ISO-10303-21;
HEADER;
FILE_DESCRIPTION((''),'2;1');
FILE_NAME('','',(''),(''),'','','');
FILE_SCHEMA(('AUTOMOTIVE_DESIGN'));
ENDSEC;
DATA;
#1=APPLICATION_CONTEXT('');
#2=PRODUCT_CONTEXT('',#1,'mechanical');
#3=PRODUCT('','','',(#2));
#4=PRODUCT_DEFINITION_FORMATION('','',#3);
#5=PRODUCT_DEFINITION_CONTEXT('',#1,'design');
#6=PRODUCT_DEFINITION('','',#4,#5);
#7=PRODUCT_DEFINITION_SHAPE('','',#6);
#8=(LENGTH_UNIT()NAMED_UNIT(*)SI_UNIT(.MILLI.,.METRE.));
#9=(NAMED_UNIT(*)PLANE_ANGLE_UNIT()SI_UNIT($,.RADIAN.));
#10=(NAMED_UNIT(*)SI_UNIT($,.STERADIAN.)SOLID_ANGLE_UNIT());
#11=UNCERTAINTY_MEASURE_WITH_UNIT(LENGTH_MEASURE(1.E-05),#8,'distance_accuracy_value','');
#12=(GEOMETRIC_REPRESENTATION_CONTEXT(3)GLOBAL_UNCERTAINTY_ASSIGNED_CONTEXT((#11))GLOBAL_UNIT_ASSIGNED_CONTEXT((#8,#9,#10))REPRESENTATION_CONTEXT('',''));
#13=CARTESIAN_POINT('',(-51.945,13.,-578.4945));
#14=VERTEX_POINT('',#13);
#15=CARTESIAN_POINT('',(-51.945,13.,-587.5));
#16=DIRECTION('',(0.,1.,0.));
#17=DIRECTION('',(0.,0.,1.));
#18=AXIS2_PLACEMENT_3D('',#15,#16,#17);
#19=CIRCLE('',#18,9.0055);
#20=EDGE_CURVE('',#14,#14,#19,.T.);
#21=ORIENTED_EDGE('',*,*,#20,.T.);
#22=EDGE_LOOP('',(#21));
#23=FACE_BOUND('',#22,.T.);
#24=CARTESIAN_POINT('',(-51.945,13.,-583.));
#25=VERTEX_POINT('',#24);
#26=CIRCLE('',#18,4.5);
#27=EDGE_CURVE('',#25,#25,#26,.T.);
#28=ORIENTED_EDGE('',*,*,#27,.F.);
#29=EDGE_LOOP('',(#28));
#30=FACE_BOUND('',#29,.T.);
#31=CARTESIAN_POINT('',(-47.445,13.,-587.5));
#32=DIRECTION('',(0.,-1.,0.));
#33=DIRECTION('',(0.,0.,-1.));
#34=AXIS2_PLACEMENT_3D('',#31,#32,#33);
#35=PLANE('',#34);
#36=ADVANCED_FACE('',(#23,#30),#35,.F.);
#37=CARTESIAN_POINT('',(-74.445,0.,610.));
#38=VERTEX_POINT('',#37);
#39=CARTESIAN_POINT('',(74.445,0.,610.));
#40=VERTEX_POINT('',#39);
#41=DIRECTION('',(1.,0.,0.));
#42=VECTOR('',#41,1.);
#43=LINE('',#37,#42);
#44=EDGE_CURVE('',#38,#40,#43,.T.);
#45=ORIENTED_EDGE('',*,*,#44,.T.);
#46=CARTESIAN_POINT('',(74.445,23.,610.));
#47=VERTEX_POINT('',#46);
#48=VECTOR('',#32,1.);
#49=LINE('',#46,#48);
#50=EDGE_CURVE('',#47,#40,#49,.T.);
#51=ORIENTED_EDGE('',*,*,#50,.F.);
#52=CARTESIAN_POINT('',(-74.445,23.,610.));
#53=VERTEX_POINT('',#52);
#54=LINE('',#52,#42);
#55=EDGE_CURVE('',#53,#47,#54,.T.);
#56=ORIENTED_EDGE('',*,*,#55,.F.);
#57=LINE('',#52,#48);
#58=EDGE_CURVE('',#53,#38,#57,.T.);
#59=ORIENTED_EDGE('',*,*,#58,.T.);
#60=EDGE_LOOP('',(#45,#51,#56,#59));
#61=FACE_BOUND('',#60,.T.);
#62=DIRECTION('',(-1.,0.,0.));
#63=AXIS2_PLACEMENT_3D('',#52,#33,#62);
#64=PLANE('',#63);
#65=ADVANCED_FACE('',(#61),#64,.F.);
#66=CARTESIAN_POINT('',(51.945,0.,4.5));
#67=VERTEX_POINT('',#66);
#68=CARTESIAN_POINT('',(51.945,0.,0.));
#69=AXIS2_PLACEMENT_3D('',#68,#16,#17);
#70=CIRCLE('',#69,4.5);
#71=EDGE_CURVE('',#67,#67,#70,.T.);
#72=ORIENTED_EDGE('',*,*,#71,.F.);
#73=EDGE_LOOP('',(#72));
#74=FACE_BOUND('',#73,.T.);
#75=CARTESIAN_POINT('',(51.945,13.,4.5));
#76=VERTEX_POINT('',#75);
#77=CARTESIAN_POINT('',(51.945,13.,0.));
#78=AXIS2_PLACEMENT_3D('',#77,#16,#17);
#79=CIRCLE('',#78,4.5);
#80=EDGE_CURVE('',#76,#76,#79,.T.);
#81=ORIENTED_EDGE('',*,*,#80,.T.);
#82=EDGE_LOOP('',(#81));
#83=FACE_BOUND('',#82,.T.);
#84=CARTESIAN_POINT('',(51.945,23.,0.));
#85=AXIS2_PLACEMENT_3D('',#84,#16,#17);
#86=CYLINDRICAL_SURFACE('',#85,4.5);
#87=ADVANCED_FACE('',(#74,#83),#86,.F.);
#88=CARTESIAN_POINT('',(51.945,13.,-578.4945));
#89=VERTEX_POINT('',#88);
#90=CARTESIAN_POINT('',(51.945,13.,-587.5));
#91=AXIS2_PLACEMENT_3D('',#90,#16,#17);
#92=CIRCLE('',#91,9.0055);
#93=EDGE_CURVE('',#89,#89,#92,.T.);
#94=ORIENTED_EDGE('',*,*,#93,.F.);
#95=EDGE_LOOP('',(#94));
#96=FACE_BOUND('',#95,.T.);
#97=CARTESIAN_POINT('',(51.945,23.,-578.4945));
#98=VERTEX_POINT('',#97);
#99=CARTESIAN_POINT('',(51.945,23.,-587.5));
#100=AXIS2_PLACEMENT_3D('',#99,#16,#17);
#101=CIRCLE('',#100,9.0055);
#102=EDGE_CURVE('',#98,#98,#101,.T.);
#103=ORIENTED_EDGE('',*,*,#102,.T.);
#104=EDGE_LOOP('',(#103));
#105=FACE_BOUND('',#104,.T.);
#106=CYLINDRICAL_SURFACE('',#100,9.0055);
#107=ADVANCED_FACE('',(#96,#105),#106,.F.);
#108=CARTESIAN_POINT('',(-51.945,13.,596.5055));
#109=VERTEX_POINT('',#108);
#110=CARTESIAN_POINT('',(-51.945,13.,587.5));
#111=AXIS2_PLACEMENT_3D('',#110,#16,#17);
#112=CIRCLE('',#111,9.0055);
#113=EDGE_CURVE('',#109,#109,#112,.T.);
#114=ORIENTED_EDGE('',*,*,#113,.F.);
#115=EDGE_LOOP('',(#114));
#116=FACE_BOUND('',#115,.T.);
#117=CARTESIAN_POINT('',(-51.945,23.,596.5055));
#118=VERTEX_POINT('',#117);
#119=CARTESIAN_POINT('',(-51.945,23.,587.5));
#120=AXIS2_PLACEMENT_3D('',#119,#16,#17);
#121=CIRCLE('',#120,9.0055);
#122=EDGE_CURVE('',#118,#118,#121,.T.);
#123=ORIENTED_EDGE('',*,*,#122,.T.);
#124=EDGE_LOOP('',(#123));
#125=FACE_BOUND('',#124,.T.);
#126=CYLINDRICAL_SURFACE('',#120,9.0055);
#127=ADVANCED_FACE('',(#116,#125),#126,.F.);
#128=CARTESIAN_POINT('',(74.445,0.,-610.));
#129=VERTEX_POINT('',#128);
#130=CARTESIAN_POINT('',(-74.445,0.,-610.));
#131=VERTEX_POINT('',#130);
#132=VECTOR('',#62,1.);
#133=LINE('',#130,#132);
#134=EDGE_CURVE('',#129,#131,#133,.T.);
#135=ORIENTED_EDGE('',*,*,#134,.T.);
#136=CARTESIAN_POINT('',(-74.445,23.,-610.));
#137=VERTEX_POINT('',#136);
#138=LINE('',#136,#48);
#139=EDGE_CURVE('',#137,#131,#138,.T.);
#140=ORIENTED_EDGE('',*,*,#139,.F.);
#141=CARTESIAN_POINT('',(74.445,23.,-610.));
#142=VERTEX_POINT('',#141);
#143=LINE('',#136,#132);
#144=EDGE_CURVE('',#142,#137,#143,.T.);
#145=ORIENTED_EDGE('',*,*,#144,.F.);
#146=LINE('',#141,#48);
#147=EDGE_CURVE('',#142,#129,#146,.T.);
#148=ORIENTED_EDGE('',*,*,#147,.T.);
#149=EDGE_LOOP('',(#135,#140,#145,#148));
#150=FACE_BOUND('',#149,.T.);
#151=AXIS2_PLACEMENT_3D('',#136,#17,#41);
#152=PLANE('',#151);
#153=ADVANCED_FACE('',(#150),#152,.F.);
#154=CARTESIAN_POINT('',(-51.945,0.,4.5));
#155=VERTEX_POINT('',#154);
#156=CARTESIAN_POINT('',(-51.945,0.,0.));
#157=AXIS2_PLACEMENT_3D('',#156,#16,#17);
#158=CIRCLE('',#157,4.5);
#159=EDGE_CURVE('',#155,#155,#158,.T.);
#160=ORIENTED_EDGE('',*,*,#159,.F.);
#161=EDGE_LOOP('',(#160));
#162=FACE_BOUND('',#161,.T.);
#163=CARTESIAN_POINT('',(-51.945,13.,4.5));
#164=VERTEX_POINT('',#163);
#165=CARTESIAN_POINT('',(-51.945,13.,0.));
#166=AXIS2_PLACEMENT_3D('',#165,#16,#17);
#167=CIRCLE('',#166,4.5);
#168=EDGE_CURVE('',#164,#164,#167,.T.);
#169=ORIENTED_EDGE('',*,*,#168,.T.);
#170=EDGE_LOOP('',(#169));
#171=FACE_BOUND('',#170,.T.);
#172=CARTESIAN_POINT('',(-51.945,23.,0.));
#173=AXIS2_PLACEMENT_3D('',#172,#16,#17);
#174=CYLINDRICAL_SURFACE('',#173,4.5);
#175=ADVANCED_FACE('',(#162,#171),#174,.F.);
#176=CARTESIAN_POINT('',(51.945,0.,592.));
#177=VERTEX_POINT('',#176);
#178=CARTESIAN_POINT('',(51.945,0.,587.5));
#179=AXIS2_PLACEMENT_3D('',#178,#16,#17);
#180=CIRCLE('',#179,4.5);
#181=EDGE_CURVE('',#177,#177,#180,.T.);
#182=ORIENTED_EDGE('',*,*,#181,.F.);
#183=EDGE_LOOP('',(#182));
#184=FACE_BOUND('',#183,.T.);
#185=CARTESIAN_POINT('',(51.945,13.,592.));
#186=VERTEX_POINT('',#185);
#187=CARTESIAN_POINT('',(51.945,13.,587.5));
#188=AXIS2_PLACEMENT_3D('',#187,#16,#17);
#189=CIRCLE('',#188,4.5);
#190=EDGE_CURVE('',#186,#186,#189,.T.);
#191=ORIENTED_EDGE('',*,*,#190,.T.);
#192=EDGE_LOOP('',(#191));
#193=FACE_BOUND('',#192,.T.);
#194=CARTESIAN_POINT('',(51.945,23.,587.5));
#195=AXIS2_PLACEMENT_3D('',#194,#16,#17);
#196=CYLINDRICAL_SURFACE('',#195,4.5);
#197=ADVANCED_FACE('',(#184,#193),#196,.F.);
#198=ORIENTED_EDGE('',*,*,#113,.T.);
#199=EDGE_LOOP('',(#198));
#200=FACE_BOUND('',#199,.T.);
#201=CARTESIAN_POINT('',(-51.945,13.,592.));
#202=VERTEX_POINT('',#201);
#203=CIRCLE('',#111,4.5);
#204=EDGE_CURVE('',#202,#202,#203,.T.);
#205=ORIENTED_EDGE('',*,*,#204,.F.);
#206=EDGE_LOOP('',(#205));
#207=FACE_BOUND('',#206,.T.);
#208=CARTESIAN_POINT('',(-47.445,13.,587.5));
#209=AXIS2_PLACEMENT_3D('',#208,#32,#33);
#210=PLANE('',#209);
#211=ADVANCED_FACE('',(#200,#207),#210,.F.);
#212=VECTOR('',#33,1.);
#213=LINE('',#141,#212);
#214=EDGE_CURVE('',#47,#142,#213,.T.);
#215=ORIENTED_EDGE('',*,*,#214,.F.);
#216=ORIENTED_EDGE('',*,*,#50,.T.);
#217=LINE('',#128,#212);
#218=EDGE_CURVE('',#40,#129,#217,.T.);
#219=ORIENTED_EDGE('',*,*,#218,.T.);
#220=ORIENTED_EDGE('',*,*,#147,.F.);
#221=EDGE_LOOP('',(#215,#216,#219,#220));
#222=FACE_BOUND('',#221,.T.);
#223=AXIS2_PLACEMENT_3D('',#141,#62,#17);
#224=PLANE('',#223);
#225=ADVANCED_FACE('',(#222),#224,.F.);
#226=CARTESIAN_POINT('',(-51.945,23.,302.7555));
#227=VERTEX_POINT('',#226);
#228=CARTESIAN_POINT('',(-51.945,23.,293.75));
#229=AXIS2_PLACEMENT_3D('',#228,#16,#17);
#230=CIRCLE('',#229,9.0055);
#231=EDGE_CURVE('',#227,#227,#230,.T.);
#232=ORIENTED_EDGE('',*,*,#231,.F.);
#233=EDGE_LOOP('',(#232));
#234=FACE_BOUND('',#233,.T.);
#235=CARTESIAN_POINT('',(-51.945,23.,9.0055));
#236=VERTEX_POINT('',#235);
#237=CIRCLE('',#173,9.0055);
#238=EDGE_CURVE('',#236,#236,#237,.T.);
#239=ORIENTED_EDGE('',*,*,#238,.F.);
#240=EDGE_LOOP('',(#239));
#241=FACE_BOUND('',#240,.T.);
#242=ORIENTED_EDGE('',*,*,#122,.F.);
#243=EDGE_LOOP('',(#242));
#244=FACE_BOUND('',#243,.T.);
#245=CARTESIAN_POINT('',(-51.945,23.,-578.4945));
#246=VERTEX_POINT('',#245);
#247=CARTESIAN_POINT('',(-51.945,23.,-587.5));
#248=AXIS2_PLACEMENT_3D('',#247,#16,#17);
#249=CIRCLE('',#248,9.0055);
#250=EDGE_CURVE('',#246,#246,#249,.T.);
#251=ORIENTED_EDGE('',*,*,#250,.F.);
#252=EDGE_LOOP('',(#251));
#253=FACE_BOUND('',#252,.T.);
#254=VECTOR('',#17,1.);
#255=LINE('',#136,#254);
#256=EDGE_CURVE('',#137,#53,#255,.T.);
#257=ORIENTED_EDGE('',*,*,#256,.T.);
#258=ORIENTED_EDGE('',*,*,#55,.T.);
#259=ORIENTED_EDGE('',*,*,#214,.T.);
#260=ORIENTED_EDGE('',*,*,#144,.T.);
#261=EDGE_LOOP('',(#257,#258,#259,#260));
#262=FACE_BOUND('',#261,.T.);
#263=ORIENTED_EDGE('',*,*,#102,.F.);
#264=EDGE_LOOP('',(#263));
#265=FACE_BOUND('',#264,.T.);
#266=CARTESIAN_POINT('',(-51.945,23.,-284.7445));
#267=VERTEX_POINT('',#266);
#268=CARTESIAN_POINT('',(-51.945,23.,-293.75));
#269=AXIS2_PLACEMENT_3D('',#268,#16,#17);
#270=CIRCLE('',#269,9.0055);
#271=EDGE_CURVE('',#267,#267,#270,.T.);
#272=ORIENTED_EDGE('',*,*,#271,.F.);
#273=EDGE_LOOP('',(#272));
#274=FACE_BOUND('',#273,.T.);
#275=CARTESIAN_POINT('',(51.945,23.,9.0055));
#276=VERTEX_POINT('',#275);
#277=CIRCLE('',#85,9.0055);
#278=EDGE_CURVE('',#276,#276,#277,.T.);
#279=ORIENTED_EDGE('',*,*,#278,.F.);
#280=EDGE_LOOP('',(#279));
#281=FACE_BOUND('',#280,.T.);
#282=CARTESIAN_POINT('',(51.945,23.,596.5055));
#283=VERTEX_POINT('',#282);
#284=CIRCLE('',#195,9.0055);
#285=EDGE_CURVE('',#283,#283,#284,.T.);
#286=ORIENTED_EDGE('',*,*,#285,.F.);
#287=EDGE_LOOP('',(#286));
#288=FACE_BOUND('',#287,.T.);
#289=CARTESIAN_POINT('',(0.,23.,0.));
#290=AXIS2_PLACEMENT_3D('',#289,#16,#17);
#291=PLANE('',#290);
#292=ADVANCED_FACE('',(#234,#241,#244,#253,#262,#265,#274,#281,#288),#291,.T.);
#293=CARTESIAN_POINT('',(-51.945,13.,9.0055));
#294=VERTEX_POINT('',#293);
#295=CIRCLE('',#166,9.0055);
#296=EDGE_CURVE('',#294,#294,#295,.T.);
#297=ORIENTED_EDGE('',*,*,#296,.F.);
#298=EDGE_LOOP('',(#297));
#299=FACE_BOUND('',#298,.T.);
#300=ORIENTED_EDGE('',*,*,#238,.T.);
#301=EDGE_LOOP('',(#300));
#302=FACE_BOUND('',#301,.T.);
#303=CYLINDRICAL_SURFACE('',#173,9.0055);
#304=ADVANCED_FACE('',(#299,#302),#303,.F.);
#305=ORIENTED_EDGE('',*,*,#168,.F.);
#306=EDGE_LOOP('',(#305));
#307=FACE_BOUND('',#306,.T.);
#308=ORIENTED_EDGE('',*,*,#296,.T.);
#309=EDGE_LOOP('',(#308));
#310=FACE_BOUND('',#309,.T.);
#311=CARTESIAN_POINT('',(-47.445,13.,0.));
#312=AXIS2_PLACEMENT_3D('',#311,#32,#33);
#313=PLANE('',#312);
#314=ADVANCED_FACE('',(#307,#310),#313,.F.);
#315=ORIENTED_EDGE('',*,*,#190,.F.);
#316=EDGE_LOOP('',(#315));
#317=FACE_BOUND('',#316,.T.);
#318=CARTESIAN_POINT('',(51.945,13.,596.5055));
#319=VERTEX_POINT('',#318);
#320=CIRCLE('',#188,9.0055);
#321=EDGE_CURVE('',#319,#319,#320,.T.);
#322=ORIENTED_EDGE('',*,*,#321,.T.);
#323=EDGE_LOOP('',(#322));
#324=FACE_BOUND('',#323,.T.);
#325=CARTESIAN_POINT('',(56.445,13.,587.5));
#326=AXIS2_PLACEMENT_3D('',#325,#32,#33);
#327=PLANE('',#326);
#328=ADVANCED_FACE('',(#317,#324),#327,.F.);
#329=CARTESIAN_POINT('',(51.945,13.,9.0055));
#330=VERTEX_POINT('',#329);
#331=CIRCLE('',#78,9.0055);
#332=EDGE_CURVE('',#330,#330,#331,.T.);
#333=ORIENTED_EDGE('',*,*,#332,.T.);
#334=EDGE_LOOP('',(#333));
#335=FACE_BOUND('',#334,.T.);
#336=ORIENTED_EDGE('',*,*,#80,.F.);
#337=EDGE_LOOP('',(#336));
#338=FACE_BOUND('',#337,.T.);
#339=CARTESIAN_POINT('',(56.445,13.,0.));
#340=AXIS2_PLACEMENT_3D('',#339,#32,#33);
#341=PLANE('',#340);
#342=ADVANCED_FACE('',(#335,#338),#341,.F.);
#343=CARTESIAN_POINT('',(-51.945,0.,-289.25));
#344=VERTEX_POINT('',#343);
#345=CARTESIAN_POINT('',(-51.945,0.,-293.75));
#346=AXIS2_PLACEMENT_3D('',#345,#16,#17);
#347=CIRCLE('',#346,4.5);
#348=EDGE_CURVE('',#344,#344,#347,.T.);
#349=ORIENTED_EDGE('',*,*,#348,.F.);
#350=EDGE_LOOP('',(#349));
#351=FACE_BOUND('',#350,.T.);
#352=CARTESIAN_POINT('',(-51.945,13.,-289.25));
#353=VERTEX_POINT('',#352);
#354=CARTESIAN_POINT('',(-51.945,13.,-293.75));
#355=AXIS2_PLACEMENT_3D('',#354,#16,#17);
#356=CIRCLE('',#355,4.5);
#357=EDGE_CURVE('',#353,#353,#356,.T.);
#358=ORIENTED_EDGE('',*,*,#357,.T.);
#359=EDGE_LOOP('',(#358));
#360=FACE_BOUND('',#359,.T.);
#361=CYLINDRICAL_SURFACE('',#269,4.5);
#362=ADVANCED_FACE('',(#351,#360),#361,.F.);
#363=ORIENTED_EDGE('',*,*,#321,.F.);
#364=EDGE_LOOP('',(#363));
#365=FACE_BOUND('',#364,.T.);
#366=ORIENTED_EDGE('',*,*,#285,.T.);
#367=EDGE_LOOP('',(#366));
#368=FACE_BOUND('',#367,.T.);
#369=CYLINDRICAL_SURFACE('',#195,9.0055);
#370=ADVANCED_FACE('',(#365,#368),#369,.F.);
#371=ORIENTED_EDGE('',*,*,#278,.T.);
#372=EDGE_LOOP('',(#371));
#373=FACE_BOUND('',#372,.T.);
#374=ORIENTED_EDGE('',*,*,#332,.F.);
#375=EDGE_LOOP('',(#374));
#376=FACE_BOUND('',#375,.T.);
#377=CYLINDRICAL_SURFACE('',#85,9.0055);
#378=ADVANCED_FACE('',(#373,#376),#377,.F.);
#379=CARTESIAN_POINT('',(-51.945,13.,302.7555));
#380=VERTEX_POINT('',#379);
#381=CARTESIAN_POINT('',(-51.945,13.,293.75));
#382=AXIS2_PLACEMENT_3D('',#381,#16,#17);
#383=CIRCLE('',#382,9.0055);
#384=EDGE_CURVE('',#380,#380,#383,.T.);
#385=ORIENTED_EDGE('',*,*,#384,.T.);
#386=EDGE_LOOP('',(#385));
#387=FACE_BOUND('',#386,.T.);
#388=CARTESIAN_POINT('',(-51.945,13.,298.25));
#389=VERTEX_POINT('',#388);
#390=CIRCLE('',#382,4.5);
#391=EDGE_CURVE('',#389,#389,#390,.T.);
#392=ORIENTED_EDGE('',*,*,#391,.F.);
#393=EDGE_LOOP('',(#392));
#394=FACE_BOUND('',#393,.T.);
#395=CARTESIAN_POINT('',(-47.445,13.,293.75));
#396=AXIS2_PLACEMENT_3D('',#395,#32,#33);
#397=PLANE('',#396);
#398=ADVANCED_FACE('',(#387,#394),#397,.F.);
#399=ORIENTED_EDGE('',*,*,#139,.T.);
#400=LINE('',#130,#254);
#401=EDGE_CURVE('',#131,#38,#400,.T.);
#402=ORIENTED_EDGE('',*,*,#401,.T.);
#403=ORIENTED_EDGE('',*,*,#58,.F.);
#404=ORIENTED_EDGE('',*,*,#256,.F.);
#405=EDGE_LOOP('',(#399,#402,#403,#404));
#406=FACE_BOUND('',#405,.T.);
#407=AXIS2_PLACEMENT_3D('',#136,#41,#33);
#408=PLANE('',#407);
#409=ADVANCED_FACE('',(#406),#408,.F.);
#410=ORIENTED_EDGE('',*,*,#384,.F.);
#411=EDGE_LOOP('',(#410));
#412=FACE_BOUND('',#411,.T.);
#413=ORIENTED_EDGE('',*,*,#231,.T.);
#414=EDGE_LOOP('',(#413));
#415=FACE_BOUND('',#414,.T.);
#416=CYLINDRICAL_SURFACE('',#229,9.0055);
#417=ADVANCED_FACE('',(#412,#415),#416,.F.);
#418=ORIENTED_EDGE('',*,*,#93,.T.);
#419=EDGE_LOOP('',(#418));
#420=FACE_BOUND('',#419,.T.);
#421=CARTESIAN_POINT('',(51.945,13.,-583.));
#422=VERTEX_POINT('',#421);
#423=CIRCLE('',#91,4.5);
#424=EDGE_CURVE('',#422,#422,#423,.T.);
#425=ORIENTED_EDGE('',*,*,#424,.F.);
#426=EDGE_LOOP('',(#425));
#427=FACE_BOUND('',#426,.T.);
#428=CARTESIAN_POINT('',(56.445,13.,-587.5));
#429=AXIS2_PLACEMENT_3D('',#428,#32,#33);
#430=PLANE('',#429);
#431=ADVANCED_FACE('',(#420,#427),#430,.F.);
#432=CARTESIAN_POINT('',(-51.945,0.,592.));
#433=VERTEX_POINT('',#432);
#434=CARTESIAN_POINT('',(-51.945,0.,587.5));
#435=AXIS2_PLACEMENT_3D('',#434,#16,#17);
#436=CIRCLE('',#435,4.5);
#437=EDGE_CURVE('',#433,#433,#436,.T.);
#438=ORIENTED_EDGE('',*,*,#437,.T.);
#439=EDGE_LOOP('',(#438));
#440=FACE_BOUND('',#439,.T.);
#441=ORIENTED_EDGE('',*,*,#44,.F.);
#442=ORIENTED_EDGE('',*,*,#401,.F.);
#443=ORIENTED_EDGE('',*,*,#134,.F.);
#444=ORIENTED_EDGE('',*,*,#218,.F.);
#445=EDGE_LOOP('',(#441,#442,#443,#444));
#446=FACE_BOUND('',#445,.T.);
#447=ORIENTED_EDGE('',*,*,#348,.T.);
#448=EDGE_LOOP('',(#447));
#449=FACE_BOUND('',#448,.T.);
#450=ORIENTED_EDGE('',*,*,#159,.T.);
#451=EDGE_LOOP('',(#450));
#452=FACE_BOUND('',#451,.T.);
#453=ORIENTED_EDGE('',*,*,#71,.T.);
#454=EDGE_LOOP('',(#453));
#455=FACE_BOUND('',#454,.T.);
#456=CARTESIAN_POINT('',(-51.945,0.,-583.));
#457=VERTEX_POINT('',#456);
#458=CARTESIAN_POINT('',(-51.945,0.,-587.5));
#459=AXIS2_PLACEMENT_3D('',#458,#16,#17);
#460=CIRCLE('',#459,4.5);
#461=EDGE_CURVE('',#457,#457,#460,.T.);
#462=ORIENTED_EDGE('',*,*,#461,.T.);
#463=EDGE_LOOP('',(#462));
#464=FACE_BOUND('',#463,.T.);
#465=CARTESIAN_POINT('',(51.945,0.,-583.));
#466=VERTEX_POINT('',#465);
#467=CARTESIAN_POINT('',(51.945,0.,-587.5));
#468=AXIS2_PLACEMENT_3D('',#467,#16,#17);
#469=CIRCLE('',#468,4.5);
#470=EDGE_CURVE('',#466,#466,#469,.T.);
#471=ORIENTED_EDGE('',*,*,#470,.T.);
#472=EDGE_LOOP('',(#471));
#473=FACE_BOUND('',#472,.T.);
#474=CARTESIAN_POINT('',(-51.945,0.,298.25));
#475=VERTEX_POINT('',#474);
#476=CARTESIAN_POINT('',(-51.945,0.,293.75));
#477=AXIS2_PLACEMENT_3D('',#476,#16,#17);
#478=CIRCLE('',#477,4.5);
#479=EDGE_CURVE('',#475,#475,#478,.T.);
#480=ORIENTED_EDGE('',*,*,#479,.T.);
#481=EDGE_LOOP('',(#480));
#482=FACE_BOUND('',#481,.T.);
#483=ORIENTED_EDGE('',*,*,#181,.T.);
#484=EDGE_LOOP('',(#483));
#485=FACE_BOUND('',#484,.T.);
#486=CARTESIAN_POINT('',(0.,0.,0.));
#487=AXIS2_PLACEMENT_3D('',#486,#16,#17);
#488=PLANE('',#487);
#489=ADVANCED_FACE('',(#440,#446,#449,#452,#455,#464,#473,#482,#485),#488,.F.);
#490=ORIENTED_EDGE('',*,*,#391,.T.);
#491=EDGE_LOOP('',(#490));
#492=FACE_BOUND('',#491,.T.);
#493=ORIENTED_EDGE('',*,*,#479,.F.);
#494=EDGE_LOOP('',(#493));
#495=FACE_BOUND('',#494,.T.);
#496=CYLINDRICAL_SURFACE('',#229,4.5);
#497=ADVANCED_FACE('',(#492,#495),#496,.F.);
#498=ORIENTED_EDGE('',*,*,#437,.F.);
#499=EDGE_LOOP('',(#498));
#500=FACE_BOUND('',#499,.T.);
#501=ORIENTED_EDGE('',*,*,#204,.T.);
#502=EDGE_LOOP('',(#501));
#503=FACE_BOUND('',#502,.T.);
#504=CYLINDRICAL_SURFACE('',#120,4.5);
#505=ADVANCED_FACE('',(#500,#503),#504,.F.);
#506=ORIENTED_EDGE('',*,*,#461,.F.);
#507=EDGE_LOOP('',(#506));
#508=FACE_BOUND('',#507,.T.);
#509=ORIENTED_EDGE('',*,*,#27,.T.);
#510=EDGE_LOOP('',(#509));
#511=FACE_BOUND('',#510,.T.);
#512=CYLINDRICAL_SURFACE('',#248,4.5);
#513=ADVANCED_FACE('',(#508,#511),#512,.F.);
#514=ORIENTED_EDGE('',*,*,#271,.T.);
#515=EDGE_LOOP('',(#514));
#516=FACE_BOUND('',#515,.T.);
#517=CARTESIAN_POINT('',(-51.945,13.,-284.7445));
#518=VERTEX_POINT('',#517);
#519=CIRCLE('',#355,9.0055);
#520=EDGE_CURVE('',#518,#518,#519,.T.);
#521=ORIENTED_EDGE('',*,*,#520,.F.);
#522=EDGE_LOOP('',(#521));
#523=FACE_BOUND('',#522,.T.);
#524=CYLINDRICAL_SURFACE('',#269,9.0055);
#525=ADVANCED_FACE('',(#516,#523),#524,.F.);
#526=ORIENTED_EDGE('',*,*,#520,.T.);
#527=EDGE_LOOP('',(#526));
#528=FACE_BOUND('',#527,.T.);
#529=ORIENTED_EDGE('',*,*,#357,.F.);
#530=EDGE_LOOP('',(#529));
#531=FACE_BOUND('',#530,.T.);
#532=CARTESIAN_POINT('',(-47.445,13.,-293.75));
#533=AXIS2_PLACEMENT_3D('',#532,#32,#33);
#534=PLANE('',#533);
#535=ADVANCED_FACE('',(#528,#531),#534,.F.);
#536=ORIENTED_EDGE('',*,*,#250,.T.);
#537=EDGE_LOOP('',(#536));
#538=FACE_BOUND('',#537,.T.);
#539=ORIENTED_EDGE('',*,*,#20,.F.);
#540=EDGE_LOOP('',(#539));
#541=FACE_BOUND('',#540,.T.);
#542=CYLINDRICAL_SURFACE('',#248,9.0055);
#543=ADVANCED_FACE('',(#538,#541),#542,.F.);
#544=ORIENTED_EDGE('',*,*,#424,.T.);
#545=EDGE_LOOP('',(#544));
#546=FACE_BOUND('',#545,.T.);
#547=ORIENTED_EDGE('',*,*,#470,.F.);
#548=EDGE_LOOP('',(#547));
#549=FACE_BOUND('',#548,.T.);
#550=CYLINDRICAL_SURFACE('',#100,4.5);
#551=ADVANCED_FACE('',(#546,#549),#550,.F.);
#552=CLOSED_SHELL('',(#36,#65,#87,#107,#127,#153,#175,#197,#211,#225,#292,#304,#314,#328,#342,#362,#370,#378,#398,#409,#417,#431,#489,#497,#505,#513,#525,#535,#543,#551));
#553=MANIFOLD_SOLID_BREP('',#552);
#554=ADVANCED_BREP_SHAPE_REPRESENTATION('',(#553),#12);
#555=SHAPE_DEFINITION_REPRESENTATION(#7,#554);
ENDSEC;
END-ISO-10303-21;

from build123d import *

# Parameters (mm, degrees)
SKETCH1_W                               = 148.89
SKETCH1_H                               = 1220
BOSS_EXTRUDE1_DEPTH                     = 23
CBORE_FOR_M8_HEX_HEAD_BOLT1_D           = 9
CBORE_FOR_M8_HEX_HEAD_BOLT1_CBORE_D     = 18.011
CBORE_FOR_M8_HEX_HEAD_BOLT1_CBORE_DEPTH = 10


with BuildPart() as part:
    # Sketch1 → Boss-Extrude1 (new body)
    with BuildSketch(Plane(origin=(0, 0, 0), x_dir=(1, 0, 0), z_dir=(0, 1, 0))):
        Rectangle(SKETCH1_W, SKETCH1_H)
    extrude(amount=BOSS_EXTRUDE1_DEPTH)

    # CBORE for M8 Hex Head Bolt1 (through all)
    with Locations(Plane(origin=(0, 23, 0), x_dir=(1, 0, 0), z_dir=(0, 1, 0))):
        with Locations((-51.945, 587.5), (51.945, 587.5), (-51.945, 0), (51.945, 0), (-51.945, -587.5), (51.945, -587.5), (-51.945, -293.75), (-51.945, 293.75)):
            CounterBoreHole(CBORE_FOR_M8_HEX_HEAD_BOLT1_D / 2, CBORE_FOR_M8_HEX_HEAD_BOLT1_CBORE_D / 2, CBORE_FOR_M8_HEX_HEAD_BOLT1_CBORE_DEPTH)


solid = part.part
